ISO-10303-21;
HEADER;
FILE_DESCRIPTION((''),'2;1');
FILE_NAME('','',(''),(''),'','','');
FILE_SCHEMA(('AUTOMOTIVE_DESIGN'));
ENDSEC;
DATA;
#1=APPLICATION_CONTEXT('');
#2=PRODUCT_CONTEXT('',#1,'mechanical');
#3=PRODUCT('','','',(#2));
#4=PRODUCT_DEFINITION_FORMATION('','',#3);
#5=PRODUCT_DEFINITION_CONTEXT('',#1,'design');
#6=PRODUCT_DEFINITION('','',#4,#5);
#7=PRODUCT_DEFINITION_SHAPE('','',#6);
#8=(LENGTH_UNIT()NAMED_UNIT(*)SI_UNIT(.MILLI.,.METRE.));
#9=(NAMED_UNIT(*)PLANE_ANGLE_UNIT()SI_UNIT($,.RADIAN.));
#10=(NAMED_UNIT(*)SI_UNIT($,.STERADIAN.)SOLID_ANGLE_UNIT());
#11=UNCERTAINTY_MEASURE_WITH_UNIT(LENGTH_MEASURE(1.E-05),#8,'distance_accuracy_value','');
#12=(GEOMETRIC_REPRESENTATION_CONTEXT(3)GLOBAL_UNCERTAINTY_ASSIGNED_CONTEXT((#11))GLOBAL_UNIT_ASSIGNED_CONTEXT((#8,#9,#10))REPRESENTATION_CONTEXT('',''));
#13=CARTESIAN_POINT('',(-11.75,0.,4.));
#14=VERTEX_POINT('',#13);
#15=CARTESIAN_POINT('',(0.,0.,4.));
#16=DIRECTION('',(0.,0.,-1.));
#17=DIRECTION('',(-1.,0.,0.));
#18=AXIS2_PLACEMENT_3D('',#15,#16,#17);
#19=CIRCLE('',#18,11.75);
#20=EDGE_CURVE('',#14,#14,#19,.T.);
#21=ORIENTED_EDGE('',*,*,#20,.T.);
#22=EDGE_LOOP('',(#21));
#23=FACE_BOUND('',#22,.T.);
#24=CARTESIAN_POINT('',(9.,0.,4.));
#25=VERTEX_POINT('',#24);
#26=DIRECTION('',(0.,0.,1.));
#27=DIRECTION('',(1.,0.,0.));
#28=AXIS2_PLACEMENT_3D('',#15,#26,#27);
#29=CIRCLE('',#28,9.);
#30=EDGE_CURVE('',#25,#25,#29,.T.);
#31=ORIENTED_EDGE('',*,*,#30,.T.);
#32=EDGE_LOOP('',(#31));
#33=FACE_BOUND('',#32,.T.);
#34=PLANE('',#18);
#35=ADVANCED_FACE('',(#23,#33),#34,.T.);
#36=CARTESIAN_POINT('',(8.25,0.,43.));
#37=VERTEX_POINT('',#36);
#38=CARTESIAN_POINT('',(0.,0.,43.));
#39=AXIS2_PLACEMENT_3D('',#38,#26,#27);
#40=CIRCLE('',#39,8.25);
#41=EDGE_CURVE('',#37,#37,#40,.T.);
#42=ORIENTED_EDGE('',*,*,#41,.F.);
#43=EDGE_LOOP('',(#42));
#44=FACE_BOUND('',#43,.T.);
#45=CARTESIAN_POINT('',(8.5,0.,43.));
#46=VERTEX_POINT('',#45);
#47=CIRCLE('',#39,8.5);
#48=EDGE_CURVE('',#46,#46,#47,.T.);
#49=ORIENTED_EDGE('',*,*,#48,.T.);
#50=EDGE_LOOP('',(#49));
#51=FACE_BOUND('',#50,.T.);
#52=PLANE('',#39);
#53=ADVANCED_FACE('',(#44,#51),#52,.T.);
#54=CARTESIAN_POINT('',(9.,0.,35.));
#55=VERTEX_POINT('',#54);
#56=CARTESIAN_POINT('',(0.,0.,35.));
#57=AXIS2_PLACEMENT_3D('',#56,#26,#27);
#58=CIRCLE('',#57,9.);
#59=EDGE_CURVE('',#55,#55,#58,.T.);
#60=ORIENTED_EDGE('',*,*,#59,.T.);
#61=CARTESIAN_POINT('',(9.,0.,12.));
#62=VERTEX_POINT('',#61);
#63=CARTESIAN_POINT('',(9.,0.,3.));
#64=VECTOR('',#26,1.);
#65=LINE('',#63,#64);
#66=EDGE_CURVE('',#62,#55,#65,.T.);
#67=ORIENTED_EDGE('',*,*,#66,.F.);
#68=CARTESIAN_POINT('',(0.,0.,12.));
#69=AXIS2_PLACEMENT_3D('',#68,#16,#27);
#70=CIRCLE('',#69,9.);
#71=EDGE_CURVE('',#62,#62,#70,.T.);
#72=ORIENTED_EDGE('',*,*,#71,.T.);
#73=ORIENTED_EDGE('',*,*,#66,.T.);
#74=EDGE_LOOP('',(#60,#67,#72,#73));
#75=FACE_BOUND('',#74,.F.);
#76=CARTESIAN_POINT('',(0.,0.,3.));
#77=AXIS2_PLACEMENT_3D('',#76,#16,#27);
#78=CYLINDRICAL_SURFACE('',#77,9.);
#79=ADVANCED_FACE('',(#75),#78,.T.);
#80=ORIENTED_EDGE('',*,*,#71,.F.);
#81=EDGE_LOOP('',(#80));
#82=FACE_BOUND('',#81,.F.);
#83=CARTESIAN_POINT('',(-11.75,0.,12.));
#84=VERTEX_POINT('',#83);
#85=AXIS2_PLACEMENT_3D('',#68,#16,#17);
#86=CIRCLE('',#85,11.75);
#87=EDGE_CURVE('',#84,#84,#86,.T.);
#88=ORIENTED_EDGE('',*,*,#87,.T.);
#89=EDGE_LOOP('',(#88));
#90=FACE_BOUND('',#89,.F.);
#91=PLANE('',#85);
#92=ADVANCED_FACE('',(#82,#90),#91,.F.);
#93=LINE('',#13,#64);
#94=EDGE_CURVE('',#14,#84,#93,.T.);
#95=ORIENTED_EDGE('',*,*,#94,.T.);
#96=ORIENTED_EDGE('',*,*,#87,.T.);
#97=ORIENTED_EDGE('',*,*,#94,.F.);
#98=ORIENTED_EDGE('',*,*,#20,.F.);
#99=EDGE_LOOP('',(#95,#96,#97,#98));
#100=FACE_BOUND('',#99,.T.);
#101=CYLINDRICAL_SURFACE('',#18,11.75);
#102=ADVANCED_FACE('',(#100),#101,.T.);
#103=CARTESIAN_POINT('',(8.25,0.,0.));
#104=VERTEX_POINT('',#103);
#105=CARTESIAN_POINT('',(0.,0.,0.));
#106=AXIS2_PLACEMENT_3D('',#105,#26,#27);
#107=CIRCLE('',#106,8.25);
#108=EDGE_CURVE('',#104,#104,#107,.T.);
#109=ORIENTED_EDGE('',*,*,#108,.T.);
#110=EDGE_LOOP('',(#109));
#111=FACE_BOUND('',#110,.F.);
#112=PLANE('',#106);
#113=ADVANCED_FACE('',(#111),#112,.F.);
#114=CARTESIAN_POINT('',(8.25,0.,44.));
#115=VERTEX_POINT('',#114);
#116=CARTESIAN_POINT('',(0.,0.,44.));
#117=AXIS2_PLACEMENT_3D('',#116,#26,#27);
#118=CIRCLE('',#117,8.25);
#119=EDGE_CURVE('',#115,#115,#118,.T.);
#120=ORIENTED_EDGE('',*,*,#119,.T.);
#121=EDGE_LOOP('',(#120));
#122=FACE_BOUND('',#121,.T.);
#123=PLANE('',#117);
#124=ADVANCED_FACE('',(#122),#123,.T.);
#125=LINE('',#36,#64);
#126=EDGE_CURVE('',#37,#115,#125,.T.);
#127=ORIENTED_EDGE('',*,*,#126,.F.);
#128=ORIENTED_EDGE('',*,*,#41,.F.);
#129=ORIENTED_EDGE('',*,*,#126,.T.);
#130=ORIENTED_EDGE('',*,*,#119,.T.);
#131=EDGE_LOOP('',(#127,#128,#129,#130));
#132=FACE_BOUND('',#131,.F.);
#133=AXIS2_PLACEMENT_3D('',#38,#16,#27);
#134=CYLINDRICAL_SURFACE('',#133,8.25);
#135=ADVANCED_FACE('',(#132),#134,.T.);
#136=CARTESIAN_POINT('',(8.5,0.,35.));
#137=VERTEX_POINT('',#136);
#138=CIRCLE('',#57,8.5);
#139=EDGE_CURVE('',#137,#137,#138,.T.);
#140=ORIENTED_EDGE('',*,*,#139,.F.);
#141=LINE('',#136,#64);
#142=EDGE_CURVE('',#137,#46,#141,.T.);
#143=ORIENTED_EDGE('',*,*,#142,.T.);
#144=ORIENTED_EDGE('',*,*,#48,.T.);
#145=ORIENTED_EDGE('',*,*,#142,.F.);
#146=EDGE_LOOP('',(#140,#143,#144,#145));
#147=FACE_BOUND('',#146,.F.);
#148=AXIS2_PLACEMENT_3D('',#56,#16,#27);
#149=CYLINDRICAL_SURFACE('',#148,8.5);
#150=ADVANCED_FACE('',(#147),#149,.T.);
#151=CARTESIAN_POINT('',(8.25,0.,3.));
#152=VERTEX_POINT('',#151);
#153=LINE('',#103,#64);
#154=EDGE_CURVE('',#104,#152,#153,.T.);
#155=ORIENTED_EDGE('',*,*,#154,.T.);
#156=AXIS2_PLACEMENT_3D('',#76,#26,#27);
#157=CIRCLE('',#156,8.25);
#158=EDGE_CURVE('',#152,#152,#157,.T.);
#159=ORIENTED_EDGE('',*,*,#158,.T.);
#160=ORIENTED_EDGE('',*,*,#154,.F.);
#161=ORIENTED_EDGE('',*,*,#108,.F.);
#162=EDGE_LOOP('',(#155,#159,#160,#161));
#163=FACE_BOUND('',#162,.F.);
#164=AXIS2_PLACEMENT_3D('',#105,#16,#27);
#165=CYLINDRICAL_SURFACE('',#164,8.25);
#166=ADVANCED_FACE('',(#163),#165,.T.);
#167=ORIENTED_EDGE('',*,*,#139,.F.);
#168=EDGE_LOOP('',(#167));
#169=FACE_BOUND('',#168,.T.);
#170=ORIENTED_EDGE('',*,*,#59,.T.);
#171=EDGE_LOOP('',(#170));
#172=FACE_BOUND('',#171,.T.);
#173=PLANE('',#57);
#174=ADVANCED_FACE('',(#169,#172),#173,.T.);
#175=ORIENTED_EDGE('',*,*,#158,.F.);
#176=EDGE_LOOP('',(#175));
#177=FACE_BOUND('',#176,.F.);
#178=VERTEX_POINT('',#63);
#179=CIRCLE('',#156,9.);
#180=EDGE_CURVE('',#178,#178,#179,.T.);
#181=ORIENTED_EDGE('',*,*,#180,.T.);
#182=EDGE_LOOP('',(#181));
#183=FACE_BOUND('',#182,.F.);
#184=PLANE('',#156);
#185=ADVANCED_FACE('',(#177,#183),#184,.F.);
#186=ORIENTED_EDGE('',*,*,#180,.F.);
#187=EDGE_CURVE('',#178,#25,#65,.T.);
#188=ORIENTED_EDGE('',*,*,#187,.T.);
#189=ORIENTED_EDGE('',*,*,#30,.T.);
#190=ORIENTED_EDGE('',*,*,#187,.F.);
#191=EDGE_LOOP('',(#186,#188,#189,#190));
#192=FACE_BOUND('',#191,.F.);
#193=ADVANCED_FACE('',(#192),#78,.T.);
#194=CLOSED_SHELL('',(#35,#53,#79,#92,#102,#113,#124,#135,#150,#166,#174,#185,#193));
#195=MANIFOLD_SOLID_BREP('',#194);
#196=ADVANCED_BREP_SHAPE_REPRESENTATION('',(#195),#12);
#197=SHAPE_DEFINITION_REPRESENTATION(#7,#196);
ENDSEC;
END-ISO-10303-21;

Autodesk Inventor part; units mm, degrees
ref_plane "YZ Plane" through (0, 0, 0) normal (1, 0, 0) x (0, 1, 0)
ref_plane "XZ Plane" through (0, 0, 0) normal (0, 1, 0) x (-1, 0, 0)
sketch "スケッチ1" plane through (0, 0, 0) normal (0, 0, 1) x (1, 0, 0)
  circle A0 centre (0, 0) radius 8.25
  dimension "d0" = 16.5
extrude "押し出し1" add sketch "スケッチ1" along normal blind 3
sketch "スケッチ2" plane through (0, 0, 3) normal (0, 0, 1) x (1, 0, 0)
  circle A0 centre (0, 0) radius 9
  dimension "d3" = 18
extrude "押し出し2" add sketch "スケッチ2" along normal blind 32
sketch "スケッチ3" plane through (0, 0, 35) normal (0, 0, 1) x (1, 0, 0)
  circle A0 centre (0, 0) radius 8.5
  dimension "d6" = 17
extrude "押し出し3" add sketch "スケッチ3" along normal blind 8
sketch "スケッチ4" plane through (0, 0, 43) normal (0, 0, 1) x (1, 0, 0)
  circle A0 centre (0, 0) radius 8.25
  dimension "d9" = 16.5
extrude "押し出し4" add sketch "スケッチ4" along normal blind 1
ref_plane "作業平面1" through (0, 0, 4) normal (0, 0, -1) x (-1, 0, 0)
sketch "スケッチ6" plane through (0, 0, 4) normal (0, 0, -1) x (-1, 0, 0)
  circle A0 centre (0, 0) radius 11.75
  circle A1 centre (0, 0) radius 9 projected
  dimension "d16" = 23.5
extrude "押し出し6" add sketch "スケッチ6" against normal blind 8
properties part number "E18_D80NK" material "ABS プラスチック"
